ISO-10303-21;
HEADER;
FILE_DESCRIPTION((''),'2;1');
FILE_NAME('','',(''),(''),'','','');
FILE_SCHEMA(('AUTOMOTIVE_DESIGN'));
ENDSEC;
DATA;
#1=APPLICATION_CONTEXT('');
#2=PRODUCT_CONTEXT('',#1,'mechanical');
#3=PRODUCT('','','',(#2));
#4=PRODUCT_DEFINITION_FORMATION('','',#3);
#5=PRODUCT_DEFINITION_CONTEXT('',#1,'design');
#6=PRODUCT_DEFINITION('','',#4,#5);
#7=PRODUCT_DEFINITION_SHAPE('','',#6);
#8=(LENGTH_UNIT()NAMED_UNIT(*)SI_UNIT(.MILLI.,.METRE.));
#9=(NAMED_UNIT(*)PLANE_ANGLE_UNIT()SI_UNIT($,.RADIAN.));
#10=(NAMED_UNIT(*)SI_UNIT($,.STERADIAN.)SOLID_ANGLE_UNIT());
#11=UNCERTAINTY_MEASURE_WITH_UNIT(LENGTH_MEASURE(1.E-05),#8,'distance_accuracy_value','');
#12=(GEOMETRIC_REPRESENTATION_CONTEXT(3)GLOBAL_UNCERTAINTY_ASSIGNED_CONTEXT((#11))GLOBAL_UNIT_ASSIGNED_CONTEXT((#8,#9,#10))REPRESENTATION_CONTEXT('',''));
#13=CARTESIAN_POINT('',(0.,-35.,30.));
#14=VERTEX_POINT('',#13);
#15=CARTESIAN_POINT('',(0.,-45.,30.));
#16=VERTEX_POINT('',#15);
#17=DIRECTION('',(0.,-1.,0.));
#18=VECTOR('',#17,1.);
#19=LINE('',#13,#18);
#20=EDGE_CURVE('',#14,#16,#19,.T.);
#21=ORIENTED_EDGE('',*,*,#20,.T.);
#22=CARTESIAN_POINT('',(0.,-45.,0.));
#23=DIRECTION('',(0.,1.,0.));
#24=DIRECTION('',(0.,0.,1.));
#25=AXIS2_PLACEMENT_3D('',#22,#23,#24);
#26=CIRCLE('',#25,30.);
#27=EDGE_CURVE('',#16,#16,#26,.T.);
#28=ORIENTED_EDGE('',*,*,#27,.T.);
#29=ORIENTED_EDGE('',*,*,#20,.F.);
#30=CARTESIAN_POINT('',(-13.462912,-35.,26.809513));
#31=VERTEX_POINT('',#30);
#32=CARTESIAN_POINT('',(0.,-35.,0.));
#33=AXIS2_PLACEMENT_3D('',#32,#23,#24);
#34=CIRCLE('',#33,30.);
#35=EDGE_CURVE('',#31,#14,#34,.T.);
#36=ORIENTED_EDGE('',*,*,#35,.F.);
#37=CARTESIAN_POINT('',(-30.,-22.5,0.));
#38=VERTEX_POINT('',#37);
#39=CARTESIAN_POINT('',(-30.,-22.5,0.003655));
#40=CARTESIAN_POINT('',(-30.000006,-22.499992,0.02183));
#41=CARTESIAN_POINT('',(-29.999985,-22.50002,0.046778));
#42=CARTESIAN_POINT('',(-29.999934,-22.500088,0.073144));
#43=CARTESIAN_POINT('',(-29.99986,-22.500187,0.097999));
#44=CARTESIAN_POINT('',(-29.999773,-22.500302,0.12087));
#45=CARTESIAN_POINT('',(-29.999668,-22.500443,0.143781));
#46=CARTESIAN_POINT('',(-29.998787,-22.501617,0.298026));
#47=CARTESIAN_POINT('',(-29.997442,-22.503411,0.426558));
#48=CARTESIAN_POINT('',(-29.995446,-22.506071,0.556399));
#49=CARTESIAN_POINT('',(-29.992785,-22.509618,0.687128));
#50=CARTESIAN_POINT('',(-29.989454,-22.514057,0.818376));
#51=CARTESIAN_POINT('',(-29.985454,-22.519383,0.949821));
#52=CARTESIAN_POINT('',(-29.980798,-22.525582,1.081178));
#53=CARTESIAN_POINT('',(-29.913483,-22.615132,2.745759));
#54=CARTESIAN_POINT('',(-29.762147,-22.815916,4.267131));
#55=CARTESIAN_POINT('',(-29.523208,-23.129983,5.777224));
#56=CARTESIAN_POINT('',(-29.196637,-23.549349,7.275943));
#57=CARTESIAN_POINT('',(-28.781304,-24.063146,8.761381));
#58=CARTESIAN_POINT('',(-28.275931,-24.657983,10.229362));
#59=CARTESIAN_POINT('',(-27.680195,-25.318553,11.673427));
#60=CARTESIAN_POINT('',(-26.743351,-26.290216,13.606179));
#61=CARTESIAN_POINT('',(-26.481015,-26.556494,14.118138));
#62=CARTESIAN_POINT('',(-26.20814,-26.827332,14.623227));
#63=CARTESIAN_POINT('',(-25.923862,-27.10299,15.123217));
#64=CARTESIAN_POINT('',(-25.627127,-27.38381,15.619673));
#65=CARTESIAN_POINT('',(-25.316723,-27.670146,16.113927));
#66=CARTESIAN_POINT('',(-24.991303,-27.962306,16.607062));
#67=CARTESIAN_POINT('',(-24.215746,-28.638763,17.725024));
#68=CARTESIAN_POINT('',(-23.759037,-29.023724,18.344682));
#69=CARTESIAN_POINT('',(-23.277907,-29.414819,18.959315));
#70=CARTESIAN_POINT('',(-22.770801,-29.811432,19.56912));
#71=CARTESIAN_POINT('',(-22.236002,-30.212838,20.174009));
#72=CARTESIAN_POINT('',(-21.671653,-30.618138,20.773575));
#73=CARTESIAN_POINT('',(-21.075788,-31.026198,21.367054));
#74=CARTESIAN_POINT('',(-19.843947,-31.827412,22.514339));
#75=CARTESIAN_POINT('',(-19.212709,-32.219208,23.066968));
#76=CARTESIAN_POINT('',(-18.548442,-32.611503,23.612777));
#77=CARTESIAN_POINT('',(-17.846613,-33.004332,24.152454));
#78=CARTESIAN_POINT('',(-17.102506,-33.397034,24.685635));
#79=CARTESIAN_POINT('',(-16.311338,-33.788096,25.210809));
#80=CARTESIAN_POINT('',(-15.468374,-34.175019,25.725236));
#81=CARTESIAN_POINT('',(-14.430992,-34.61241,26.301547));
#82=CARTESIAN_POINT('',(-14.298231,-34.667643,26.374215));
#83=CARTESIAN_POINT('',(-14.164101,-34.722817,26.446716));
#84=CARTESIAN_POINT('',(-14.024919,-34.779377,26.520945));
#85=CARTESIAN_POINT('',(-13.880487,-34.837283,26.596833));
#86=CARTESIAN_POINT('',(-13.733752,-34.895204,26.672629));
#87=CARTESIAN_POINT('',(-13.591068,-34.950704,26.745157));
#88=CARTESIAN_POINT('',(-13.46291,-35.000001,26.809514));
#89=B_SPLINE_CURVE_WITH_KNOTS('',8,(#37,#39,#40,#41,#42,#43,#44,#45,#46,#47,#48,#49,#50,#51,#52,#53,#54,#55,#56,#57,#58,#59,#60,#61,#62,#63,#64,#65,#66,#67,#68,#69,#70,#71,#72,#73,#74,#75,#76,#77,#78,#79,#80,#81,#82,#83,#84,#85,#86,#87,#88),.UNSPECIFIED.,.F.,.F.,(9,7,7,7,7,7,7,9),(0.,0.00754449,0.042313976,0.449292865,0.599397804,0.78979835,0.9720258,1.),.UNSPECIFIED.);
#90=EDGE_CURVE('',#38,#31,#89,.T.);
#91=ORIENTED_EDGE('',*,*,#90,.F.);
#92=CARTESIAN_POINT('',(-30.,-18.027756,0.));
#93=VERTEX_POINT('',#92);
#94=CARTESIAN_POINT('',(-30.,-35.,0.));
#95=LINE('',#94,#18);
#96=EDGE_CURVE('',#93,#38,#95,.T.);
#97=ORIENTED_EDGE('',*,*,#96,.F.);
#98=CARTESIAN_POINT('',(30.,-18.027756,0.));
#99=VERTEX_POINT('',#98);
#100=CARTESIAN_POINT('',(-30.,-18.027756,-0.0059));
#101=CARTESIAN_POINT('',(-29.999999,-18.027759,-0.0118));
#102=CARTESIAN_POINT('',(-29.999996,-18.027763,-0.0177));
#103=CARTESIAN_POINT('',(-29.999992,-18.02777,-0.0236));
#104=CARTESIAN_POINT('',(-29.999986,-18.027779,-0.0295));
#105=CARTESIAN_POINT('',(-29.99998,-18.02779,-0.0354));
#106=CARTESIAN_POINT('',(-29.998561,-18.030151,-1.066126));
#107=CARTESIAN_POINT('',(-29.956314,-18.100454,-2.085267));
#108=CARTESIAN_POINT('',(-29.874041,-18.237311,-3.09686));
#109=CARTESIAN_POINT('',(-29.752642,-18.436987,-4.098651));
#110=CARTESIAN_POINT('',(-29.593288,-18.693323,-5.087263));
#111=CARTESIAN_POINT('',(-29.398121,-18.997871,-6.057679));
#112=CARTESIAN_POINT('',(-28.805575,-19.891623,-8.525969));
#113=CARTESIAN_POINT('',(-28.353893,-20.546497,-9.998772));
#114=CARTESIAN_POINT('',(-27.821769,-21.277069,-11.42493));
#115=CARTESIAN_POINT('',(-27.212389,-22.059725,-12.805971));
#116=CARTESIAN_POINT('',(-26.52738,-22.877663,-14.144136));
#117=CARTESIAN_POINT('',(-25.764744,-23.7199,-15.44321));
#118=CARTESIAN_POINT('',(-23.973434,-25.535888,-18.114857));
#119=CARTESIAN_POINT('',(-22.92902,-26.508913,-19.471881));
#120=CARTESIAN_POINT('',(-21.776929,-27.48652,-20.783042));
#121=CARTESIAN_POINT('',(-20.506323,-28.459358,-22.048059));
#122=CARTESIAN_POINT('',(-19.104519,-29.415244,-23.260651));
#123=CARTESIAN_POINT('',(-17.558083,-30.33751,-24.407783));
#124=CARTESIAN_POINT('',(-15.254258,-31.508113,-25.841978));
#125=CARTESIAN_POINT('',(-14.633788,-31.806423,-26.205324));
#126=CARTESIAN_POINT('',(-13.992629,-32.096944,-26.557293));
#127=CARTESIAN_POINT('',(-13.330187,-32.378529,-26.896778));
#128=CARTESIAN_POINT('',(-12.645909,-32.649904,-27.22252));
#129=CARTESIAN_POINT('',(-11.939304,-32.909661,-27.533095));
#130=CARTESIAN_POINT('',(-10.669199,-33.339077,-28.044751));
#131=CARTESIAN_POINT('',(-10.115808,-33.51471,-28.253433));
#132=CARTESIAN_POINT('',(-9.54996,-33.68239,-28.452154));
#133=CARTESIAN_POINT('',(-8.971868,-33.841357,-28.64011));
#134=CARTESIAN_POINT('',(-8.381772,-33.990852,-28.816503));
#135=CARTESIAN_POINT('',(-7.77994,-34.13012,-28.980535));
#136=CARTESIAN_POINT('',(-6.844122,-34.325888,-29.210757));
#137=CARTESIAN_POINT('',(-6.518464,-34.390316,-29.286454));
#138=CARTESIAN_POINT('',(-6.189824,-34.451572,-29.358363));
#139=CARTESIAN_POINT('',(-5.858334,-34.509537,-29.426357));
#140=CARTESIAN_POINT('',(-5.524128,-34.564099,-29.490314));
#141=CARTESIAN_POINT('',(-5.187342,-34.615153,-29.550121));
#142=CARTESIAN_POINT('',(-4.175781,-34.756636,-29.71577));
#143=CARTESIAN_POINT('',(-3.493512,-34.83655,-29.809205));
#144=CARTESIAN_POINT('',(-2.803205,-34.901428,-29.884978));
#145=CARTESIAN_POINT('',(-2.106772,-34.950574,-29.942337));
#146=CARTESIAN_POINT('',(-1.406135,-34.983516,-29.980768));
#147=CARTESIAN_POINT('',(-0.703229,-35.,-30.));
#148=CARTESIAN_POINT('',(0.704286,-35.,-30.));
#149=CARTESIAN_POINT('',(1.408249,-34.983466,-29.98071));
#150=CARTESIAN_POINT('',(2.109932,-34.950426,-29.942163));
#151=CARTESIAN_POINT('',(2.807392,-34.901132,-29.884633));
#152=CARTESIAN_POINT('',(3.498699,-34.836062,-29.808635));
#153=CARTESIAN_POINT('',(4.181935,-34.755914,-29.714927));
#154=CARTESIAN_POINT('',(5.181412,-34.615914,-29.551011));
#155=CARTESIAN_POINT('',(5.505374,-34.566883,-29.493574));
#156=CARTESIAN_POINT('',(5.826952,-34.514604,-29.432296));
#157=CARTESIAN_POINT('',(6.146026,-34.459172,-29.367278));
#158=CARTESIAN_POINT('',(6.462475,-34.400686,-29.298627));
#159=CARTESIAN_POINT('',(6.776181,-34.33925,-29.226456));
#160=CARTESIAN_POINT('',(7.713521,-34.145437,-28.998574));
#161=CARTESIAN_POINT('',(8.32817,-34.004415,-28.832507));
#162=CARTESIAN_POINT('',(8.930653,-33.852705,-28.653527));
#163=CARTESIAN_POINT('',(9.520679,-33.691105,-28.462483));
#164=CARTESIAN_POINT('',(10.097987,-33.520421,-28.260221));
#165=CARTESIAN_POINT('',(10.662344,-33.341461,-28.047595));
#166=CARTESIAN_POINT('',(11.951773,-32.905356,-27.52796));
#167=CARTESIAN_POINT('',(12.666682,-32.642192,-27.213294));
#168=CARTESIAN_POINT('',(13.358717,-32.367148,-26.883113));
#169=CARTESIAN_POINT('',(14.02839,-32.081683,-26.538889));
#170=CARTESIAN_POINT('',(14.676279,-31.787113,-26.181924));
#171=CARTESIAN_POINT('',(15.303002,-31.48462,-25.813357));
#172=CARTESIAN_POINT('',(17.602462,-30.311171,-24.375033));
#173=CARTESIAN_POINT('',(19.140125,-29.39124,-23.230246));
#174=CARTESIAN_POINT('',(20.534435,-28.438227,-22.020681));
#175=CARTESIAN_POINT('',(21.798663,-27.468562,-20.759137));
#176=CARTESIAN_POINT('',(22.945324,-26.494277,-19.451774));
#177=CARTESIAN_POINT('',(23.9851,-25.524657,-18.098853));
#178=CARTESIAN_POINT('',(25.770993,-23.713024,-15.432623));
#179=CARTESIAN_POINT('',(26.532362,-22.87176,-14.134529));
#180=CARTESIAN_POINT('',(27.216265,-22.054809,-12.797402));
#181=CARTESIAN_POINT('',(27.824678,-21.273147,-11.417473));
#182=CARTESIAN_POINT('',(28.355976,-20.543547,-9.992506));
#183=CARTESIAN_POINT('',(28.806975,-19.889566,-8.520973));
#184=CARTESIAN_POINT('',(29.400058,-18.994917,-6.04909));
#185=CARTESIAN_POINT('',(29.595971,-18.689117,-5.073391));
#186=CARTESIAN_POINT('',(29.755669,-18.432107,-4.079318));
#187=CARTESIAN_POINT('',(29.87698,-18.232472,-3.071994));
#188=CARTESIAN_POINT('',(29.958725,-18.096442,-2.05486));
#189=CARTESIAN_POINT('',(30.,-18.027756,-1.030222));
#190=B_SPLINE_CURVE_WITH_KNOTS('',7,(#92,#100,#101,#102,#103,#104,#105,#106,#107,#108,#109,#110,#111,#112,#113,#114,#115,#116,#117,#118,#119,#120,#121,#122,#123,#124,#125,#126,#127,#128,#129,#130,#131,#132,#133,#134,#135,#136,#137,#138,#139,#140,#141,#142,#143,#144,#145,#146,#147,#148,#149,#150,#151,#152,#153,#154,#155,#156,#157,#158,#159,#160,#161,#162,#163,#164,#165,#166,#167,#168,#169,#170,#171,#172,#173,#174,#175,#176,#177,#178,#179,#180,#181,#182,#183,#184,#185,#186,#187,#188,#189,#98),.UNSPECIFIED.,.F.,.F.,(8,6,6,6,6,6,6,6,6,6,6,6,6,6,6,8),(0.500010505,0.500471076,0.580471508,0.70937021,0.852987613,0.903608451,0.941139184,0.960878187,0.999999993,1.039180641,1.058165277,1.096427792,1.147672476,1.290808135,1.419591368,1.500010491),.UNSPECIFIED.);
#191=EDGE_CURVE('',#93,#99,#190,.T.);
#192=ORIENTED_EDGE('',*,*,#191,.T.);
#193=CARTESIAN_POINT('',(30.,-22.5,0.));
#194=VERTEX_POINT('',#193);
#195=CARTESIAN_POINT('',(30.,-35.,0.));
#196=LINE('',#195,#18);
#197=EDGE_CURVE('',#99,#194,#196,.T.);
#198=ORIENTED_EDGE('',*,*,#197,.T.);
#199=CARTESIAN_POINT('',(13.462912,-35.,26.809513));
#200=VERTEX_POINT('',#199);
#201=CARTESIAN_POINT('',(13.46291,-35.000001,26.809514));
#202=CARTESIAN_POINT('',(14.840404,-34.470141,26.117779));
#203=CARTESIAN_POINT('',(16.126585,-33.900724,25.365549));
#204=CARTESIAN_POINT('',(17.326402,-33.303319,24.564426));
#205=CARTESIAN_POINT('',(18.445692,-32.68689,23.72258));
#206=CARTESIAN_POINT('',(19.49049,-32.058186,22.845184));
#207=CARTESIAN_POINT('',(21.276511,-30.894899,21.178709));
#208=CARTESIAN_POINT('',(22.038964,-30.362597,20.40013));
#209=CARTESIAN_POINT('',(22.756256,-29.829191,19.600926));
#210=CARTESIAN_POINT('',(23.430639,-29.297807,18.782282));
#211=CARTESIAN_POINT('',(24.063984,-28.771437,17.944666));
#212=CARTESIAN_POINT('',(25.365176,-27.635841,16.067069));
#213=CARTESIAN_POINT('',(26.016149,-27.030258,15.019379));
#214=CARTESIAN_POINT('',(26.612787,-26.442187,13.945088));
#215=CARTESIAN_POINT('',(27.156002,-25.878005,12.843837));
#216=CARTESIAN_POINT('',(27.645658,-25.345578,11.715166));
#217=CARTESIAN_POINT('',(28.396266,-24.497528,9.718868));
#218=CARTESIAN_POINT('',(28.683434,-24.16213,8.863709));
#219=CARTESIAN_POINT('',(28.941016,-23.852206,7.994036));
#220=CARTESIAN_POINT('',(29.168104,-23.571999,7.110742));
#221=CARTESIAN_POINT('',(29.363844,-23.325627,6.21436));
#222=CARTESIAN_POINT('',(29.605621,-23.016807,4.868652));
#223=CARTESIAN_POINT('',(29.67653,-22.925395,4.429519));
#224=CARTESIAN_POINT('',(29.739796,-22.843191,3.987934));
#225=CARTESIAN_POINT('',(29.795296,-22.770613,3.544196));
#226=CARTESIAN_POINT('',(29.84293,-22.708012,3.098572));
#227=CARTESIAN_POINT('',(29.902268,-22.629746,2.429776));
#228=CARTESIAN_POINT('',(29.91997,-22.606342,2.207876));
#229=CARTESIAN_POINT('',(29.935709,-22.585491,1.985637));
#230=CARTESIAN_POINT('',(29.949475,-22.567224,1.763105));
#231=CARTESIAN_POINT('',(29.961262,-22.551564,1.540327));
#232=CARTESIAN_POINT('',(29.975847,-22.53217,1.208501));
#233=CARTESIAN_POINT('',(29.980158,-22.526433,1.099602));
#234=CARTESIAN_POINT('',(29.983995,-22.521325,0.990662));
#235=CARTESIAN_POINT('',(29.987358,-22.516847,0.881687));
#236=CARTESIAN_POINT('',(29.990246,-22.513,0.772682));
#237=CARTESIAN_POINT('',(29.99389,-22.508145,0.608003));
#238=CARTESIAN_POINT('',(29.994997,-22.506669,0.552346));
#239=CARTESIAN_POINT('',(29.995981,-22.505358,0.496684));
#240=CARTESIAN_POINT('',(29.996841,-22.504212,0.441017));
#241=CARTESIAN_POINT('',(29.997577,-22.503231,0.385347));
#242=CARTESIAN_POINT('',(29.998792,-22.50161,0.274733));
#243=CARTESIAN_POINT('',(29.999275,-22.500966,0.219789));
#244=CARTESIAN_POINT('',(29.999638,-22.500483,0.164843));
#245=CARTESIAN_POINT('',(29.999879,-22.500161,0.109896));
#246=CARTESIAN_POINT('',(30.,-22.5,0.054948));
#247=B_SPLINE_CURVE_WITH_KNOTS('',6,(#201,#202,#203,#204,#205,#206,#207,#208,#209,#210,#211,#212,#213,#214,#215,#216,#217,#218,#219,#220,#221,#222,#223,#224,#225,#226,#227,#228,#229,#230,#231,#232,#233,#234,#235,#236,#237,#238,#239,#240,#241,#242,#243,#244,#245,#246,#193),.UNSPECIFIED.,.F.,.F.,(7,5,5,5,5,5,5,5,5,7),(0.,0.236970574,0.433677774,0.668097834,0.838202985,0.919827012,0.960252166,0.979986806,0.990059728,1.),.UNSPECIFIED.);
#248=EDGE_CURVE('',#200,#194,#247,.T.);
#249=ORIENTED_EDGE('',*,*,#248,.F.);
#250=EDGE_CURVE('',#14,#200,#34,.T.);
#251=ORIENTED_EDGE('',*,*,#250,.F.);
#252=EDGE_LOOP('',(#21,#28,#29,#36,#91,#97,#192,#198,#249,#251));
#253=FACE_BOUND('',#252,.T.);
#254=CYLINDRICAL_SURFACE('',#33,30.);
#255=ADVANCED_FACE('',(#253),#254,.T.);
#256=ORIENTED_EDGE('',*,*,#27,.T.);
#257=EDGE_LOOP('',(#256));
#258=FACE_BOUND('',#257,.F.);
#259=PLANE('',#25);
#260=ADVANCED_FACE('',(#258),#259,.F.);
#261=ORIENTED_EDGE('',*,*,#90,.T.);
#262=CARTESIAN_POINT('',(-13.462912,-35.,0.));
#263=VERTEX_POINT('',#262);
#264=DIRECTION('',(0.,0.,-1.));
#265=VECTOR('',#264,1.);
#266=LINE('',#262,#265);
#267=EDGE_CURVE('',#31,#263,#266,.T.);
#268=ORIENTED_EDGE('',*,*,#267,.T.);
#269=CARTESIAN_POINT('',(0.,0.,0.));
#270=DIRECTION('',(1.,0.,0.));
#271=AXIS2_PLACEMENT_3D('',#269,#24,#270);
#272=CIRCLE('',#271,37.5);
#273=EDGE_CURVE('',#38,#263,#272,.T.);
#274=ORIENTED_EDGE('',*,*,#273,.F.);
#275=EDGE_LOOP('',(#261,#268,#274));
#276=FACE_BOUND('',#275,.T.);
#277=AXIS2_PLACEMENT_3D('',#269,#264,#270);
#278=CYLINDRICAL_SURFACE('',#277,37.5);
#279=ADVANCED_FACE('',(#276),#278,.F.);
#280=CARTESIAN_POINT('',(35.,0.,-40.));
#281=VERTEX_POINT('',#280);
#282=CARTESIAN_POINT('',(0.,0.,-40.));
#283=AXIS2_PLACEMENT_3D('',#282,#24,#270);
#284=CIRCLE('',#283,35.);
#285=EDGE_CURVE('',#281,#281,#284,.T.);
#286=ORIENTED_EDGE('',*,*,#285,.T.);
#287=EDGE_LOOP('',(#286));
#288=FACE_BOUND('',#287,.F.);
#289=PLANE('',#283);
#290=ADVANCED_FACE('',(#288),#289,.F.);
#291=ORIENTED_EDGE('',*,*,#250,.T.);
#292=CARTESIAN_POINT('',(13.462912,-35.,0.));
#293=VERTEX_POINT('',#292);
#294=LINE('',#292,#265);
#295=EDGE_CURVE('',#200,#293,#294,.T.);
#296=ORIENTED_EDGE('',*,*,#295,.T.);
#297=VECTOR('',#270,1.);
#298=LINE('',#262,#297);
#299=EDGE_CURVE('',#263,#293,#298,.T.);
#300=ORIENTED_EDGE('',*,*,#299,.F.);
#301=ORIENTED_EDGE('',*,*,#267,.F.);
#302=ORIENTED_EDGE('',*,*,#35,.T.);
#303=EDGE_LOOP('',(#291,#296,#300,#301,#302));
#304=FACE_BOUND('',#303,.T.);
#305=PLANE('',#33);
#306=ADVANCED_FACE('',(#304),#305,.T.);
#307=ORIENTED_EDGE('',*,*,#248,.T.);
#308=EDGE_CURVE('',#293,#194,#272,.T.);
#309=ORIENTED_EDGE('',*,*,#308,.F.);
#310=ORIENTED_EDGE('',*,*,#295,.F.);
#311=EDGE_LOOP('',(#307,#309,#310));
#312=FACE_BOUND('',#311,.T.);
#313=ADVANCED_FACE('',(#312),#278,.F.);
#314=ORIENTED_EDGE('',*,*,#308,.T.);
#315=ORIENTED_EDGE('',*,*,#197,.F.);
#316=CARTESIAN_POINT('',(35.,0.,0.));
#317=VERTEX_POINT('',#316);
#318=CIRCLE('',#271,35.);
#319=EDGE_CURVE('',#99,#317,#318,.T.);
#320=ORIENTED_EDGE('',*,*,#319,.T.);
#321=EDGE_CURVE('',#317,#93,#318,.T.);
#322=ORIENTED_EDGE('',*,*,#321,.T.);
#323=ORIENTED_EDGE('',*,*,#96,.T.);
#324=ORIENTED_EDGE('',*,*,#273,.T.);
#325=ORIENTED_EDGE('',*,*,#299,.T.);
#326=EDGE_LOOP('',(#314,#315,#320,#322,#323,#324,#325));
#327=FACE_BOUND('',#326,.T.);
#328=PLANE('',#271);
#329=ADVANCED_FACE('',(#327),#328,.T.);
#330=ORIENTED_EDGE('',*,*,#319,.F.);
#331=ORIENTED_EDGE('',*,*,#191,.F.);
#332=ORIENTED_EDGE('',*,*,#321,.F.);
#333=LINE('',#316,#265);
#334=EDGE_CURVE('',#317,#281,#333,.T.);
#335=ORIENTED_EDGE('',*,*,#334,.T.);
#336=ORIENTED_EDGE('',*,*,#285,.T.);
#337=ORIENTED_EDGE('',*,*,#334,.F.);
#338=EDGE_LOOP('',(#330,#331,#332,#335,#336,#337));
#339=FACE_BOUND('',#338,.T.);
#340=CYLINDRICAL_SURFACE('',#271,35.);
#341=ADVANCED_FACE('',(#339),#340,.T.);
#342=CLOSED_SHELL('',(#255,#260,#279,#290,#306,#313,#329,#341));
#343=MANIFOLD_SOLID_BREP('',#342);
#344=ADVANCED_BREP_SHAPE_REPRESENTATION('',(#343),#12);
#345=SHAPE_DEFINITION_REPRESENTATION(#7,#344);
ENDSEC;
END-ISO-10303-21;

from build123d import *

# Parameters (mm, degrees)
SKETCH_R             = 30
PAD_DEPTH            = 30
SKETCH001_R          = 35
PAD001_DEPTH         = 40
SKETCH002_R          = 37.5
POCKET_DEPTH         = 35
PAD002_DEPTH         = 10
BODY_PITCH_ANGLE     = -90
BODY_PLACEMENT_ANGLE = -90


with BuildPart() as part:
    # Sketch → Pad (new body)
    with BuildSketch(Plane.XY):
        Circle(SKETCH_R)
    extrude(amount=PAD_DEPTH)

    # Sketch001 → Pad001 (join)
    with BuildSketch(Plane.YZ):
        with Locations((0, 35)):
            Circle(SKETCH001_R)
    extrude(amount=-PAD001_DEPTH)

    # Sketch002 → Pocket (cut)
    with BuildSketch(Plane.YZ):
        with Locations((0, 35)):
            Circle(SKETCH002_R)
    extrude(amount=POCKET_DEPTH, mode=Mode.SUBTRACT)

    # Sketch → Pad002 (join)
    with BuildSketch(Plane.XY):
        Circle(SKETCH_R)
    extrude(amount=-PAD002_DEPTH)


with BuildPart() as part_1:
    # Body pitch: moved
    add(part.part.rotate(Axis((0, 0, 0), (0, 1, 0)), BODY_PITCH_ANGLE))


with BuildPart() as part_2:
    # Body placement: moved
    add(part_1.part.moved(Location((0, -35, 0))).rotate(Axis((0, -35, 0), (0, 0, 1)), BODY_PLACEMENT_ANGLE))


solid = part_2.part
